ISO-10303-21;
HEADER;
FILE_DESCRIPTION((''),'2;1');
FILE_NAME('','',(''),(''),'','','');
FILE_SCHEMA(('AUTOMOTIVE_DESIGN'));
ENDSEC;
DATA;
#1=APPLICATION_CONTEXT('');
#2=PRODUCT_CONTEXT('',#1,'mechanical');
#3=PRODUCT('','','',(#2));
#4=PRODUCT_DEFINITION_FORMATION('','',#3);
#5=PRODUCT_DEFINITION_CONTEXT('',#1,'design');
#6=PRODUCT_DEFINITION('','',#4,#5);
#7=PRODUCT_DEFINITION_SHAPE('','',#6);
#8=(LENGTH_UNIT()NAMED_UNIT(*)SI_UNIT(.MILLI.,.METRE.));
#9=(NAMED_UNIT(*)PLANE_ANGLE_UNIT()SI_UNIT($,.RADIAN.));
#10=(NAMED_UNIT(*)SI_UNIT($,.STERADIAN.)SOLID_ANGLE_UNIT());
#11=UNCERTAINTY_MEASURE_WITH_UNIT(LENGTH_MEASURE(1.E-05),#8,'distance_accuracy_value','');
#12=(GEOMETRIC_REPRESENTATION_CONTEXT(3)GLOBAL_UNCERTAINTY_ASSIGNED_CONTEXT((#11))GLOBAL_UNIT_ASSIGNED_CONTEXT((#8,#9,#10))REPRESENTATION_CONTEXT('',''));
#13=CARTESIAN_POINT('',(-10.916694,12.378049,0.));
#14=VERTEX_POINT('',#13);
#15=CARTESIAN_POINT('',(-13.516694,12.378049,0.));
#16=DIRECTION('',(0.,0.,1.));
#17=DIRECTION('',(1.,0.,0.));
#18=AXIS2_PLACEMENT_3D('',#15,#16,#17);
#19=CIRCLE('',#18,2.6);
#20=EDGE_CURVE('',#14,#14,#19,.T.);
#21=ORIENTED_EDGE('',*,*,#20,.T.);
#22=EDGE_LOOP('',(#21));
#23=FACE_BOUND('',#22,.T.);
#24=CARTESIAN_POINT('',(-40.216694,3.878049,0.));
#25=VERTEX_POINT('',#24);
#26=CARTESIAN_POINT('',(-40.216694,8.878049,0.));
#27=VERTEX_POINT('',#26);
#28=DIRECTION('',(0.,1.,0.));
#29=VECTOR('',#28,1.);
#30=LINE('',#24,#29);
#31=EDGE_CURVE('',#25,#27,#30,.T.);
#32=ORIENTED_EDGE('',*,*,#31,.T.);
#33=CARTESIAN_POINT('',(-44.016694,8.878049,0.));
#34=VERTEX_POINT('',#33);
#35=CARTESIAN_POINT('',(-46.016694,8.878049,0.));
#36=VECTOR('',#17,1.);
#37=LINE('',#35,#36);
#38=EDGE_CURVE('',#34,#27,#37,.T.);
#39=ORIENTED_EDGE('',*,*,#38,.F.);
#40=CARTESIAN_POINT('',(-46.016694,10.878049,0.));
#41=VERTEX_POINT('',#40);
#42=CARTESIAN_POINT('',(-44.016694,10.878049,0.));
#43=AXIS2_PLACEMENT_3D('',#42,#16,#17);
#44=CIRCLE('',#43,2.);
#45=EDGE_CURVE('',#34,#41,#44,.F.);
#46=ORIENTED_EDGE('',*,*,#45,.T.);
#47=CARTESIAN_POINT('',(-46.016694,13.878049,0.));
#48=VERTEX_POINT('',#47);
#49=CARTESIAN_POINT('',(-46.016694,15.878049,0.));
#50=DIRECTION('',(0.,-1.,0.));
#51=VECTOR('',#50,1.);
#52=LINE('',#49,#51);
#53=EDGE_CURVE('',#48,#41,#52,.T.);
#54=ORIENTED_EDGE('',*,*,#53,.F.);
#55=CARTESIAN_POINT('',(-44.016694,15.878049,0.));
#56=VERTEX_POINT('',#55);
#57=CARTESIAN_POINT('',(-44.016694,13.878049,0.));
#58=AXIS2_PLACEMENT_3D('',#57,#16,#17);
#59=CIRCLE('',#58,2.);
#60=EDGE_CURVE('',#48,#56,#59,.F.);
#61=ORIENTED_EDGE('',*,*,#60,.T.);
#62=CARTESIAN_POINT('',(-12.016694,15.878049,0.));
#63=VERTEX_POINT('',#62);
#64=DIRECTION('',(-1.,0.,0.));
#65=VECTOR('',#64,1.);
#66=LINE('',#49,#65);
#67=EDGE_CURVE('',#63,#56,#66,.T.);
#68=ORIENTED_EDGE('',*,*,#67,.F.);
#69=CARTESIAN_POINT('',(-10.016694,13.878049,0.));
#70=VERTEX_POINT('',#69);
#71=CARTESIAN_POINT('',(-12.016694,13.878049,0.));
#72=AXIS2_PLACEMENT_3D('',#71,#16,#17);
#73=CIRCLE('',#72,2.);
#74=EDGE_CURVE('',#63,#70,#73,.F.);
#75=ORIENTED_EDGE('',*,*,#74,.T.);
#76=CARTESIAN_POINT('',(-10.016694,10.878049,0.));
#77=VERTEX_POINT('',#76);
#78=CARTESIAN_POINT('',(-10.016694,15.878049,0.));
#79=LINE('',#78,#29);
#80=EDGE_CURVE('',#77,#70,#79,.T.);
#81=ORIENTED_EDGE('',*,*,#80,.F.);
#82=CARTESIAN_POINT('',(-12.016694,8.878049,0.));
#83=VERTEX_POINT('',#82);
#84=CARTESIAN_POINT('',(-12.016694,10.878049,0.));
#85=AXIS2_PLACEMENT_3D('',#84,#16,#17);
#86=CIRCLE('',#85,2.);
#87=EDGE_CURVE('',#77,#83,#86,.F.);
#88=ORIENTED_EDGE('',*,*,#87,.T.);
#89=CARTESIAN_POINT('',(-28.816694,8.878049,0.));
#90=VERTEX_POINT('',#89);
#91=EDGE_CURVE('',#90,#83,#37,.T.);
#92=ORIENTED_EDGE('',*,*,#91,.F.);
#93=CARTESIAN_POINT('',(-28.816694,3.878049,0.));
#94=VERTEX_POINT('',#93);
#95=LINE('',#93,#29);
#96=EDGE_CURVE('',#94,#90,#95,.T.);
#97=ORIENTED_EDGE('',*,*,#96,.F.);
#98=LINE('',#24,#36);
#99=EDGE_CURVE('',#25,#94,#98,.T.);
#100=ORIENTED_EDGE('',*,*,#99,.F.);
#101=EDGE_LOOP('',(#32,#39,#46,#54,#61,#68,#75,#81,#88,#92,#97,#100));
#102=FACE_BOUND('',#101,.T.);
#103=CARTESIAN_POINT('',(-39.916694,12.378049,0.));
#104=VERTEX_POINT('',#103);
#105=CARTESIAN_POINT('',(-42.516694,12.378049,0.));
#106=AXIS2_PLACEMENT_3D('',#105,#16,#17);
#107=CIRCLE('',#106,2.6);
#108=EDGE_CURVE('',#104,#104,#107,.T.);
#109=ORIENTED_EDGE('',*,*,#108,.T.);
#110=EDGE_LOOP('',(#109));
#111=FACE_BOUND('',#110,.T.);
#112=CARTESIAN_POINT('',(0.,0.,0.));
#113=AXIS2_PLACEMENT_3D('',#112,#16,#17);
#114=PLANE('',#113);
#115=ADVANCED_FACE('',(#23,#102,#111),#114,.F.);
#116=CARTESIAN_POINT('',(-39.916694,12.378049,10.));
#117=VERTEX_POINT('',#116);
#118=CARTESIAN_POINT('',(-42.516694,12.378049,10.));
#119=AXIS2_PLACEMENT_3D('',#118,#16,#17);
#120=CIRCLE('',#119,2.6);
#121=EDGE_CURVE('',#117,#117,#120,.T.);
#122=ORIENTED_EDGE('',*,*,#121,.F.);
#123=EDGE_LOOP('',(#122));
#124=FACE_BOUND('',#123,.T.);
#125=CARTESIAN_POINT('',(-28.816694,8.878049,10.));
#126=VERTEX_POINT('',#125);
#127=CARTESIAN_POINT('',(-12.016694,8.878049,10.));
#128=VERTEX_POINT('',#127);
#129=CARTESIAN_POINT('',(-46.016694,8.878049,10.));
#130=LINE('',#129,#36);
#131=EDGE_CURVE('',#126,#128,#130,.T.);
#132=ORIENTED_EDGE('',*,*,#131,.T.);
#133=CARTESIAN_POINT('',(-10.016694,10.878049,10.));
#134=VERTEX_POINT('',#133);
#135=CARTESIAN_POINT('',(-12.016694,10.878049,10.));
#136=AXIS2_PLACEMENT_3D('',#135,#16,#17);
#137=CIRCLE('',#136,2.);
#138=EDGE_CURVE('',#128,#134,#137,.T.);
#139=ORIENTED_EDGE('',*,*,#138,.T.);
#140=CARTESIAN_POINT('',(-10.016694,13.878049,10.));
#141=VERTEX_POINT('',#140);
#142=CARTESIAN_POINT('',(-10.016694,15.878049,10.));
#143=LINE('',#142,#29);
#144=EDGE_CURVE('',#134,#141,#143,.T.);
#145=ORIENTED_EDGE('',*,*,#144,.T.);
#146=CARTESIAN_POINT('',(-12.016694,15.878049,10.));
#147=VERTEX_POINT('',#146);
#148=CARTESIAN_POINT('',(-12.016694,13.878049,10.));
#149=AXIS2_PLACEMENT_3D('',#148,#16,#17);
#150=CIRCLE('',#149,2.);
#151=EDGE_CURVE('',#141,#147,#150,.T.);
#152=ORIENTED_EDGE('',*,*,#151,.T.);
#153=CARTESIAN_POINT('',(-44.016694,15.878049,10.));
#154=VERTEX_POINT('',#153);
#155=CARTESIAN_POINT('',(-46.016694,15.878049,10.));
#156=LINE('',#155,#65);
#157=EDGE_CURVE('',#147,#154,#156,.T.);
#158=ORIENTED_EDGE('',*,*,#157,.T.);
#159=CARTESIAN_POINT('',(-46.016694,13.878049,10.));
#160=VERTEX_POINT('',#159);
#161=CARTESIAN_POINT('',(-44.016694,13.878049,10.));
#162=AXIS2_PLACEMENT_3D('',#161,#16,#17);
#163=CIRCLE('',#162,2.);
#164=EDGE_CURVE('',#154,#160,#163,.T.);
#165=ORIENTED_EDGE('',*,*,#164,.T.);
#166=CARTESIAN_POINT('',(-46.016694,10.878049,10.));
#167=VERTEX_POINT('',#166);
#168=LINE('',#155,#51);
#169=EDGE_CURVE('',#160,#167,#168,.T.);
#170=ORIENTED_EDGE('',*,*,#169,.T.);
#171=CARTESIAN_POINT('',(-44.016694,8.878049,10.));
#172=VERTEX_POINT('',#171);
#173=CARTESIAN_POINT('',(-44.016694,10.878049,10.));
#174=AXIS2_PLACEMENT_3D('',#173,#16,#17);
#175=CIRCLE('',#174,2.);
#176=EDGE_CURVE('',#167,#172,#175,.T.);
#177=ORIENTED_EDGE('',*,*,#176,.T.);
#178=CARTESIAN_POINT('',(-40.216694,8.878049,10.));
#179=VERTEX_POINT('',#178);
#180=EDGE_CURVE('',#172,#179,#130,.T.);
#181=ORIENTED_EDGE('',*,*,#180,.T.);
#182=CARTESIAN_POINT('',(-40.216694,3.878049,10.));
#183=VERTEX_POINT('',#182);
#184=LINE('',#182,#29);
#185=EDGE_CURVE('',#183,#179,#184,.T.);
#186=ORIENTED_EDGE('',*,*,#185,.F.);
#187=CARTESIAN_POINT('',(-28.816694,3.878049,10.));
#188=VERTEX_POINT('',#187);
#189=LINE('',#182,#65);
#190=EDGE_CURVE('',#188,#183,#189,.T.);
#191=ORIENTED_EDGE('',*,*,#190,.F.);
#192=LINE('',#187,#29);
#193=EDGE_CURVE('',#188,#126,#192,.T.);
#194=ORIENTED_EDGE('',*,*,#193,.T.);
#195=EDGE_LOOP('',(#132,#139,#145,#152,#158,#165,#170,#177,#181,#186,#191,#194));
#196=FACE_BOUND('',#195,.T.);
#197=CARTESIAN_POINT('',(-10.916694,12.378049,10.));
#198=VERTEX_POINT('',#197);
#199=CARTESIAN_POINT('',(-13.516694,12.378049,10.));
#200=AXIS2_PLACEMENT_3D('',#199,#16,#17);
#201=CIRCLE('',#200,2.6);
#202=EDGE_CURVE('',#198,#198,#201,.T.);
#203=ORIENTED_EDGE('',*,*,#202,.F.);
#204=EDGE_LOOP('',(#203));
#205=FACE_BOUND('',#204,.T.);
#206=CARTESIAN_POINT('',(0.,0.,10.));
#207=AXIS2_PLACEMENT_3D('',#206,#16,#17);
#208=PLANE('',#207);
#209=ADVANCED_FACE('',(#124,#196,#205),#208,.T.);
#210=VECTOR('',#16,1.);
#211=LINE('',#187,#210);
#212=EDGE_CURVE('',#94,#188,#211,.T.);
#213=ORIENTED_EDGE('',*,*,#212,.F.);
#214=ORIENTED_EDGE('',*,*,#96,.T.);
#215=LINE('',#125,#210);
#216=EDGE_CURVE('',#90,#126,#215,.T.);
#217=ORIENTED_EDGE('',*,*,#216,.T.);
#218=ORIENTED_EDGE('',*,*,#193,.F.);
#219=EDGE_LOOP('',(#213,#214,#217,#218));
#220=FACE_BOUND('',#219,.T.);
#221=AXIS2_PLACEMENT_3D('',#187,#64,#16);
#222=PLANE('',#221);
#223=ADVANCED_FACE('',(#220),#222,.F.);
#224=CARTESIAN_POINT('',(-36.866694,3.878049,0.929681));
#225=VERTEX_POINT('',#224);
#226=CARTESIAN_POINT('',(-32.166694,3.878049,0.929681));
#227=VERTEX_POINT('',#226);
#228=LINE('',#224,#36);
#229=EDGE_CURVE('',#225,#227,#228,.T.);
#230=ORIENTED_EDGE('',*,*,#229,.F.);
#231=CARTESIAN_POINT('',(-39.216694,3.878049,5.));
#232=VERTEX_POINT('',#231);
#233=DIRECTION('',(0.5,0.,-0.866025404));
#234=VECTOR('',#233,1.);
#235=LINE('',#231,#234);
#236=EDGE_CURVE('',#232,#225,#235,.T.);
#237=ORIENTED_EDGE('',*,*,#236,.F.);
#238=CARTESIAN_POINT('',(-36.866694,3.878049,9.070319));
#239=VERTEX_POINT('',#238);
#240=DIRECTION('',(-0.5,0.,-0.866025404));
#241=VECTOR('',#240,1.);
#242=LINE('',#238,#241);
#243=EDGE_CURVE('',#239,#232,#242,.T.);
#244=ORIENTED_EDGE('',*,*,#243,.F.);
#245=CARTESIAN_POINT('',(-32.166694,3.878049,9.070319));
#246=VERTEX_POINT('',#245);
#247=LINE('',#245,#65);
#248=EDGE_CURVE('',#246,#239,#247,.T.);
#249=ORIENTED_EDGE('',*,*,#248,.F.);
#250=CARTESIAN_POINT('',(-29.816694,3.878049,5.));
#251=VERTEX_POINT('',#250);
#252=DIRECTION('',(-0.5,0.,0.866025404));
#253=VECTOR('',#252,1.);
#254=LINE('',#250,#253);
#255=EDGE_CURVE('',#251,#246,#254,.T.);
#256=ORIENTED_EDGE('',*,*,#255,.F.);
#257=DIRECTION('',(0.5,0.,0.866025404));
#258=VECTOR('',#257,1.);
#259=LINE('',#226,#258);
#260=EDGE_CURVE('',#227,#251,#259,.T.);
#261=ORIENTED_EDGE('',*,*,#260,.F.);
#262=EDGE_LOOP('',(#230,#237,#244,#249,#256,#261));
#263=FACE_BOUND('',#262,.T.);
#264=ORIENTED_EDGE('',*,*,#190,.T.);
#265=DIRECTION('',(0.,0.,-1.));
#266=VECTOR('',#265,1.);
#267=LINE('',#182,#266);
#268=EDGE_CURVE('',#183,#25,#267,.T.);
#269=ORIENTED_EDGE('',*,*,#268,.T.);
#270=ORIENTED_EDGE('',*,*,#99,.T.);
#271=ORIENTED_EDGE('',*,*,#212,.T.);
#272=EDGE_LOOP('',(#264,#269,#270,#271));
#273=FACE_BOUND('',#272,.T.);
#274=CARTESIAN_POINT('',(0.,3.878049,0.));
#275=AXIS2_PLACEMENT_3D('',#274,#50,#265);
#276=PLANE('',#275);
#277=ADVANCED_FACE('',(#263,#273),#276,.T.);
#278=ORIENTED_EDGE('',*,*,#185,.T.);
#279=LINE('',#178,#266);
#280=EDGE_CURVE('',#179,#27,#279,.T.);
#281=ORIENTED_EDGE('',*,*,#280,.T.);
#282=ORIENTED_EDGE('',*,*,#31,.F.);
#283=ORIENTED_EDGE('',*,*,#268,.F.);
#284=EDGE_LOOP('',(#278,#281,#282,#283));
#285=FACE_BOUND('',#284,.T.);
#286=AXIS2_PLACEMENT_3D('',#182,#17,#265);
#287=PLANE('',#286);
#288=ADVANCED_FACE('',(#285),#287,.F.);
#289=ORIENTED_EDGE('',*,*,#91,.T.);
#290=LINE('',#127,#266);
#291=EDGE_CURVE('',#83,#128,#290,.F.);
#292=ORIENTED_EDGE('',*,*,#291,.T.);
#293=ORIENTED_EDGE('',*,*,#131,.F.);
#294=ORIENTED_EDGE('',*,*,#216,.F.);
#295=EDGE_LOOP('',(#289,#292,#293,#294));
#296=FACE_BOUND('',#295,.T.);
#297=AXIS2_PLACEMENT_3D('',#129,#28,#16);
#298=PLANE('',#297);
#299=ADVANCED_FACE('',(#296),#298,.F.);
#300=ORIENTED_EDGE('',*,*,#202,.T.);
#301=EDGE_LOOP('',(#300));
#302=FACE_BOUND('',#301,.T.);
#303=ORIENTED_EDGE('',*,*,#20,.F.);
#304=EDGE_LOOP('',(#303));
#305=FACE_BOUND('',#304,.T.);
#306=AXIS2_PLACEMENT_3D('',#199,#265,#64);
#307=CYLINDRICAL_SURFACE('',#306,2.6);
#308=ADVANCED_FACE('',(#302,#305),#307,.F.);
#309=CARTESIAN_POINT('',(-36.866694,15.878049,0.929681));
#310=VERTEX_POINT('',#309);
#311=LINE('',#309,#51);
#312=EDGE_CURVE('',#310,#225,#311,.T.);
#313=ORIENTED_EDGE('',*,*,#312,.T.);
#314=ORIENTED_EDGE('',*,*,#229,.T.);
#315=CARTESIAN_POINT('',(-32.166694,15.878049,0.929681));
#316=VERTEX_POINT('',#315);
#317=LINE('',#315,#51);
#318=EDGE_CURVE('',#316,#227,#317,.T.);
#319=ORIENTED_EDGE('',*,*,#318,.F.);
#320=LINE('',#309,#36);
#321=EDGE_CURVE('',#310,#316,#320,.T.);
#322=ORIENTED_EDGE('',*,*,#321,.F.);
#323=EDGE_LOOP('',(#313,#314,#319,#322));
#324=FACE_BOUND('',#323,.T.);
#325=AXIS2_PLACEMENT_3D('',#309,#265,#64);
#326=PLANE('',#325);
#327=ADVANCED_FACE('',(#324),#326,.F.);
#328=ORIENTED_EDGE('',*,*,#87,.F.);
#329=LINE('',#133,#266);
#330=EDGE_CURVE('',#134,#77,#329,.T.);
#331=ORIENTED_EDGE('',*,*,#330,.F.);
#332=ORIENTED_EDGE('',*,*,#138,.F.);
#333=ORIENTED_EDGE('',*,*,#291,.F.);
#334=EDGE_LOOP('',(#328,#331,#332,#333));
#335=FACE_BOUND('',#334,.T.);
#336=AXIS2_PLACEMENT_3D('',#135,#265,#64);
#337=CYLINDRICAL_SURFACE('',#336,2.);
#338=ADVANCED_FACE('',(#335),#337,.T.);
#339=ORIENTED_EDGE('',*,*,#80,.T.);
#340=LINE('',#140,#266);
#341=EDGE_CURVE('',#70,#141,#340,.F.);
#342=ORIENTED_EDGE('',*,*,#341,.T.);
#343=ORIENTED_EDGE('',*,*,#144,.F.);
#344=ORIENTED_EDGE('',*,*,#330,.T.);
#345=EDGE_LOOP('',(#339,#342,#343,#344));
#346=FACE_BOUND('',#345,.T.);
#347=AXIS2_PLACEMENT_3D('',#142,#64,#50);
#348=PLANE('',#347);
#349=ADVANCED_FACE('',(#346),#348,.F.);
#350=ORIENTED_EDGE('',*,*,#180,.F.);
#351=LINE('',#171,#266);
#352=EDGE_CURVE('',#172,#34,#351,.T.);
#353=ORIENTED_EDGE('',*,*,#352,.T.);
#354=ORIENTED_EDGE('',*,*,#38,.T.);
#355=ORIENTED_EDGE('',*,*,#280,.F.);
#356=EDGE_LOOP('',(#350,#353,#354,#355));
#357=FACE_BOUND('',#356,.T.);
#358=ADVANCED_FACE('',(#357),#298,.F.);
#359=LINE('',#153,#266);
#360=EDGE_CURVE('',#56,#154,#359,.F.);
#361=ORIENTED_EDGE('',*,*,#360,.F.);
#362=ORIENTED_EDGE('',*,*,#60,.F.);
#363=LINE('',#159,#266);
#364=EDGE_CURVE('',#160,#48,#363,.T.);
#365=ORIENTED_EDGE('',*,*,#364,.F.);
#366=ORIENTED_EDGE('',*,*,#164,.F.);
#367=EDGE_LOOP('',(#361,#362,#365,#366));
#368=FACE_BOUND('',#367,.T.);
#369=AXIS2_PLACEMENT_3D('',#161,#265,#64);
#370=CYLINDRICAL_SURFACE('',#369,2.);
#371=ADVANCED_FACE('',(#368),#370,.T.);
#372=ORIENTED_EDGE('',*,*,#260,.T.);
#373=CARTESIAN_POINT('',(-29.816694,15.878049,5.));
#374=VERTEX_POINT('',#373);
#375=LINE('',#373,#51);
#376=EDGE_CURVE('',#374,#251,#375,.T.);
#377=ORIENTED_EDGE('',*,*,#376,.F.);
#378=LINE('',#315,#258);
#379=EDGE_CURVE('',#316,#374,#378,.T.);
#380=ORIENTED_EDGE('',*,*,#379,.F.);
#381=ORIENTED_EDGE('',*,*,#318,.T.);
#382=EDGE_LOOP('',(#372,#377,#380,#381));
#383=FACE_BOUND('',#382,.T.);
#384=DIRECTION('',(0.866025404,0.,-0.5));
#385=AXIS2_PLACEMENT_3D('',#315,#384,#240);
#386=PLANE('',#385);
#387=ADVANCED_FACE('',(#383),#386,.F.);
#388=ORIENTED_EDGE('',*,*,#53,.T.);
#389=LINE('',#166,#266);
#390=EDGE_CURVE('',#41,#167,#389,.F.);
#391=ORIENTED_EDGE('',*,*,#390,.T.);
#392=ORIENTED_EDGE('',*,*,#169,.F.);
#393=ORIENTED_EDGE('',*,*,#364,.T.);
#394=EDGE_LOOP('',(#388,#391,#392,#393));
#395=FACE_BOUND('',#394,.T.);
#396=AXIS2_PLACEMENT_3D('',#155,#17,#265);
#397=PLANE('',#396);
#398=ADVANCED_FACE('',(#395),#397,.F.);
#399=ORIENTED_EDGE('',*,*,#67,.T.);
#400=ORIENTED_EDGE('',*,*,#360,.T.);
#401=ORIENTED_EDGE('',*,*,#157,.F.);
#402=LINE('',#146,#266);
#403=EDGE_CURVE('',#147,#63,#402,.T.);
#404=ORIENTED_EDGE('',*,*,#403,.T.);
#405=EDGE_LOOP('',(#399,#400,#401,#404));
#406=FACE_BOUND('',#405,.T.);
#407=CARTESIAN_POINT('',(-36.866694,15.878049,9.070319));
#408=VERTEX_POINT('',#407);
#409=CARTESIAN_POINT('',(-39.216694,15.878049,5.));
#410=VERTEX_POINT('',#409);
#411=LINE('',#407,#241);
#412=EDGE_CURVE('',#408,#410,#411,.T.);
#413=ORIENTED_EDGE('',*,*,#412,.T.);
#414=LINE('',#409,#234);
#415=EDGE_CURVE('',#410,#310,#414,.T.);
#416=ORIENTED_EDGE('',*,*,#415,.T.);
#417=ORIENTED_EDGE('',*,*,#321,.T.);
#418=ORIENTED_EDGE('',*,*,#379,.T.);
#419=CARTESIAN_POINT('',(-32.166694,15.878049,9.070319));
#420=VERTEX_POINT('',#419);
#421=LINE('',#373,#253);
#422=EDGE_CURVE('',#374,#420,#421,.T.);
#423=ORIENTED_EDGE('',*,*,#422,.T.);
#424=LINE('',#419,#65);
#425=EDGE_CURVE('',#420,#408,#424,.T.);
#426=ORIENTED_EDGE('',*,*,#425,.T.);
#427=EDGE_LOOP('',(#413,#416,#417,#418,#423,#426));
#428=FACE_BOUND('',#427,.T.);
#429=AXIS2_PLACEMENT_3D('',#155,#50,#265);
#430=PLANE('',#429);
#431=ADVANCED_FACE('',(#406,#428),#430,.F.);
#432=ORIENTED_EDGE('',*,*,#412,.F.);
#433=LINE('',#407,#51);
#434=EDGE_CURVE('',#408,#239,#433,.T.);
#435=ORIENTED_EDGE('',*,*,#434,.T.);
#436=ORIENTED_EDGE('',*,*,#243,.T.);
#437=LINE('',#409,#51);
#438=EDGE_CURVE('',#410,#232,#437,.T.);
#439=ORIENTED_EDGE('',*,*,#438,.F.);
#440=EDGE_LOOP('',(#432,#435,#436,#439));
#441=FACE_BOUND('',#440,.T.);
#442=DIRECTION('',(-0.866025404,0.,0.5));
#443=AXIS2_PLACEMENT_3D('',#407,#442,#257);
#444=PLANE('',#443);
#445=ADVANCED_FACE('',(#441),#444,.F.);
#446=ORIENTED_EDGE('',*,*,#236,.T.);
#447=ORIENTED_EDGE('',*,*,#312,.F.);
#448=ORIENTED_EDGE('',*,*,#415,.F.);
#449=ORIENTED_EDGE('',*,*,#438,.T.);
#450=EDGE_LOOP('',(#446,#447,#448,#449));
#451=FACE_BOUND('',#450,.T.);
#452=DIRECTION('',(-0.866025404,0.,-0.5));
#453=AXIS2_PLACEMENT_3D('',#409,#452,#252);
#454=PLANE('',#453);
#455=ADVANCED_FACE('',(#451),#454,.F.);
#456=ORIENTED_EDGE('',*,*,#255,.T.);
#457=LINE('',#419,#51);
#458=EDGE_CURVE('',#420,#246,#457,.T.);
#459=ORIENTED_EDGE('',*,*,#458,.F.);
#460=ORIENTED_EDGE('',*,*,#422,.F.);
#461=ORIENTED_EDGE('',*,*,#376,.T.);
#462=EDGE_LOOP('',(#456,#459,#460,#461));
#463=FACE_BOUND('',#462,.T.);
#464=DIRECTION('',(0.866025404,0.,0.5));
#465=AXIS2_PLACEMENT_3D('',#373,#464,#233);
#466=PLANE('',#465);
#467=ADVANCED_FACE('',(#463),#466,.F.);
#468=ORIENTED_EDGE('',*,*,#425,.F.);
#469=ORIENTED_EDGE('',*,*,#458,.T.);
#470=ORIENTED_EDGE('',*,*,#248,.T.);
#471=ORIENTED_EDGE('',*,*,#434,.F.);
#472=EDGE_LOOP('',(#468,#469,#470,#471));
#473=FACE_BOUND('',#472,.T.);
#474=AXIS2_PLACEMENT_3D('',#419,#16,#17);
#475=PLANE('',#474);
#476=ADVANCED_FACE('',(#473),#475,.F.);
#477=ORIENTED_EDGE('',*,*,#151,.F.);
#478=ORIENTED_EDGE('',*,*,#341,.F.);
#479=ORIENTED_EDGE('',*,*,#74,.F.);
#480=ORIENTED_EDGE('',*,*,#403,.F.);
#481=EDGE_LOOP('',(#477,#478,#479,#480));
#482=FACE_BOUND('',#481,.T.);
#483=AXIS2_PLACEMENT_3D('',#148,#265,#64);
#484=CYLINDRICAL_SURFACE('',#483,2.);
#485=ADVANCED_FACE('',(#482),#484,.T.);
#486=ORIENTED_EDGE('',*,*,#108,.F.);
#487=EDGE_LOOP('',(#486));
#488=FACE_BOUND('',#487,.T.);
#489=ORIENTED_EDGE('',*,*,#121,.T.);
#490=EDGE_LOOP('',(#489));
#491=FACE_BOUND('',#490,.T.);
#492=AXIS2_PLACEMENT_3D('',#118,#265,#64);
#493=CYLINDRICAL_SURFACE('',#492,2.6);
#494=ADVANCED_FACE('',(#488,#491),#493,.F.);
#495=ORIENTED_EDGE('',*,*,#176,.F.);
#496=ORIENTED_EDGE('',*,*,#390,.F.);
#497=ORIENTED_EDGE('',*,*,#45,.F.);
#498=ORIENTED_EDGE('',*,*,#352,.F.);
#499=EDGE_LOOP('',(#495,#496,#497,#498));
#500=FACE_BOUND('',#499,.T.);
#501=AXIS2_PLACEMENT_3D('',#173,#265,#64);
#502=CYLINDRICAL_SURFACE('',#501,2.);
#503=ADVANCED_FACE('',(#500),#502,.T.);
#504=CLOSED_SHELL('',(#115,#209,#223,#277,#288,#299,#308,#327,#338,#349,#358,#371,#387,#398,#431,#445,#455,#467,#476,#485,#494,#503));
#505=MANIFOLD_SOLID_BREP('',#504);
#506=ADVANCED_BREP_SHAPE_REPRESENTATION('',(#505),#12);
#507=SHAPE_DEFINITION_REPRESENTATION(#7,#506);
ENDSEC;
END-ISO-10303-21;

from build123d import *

# Parameters (mm, degrees)
CROQUIS1_W              = 36
CROQUIS1_H              = 7
CROQUIS1_R              = 2.6
SALIENTE_EXTRUIR1_DEPTH = 10
CORTAR_EXTRUIR1_DEPTH   = 7
CROQUIS4_W              = 11.4
CROQUIS4_H              = 10
SALIENTE_EXTRUIR2_DEPTH = 5
REDONDEO1_R             = 2


with BuildPart() as part:
    # Croquis1 → Saliente-Extruir1 (new body)
    with BuildSketch(Plane.XY):
        with Locations((-28.016694491, 12.37804878)):
            Rectangle(CROQUIS1_W, CROQUIS1_H)
        with Locations((-42.516694491, 12.37804878)):
            Circle(CROQUIS1_R, mode=Mode.SUBTRACT)
        with Locations((-13.516694491, 12.37804878)):
            Circle(CROQUIS1_R, mode=Mode.SUBTRACT)
    extrude(amount=SALIENTE_EXTRUIR1_DEPTH)

    # Croquis2 → Cortar-Extruir1 (cut)
    with BuildSketch(Plane.XZ.offset(-8.87804878)):
        Polygon((-29.816694491, 5), (-32.166694491, 9.070319398), (-36.866694491, 9.070319398), (-39.216694491, 5), (-36.866694491, 0.929680602), (-32.166694491, 0.929680602), align=None)
    extrude(amount=-CORTAR_EXTRUIR1_DEPTH, mode=Mode.SUBTRACT)

    # Croquis4 → Saliente-Extruir2 (add)
    with BuildSketch(Plane.XZ.offset(-8.87804878)):
        with Locations((-34.516694491, 5)):
            Rectangle(CROQUIS4_W, CROQUIS4_H)
        Polygon((-29.816694491, 5), (-32.166694491, 9.070319398), (-36.866694491, 9.070319398), (-39.216694491, 5), (-36.866694491, 0.929680602), (-32.166694491, 0.929680602), align=None, mode=Mode.SUBTRACT)
    extrude(amount=SALIENTE_EXTRUIR2_DEPTH)

    # Redondeo1
    redondeo1_edges = [part.edges().sort_by_distance(p)[0] for p in [
        (-10.016694491, 15.87804878, 5),
        (-10.016694491, 8.87804878, 5),
        (-46.016694491, 8.87804878, 5),
        (-46.016694491, 15.87804878, 5),
    ]]
    fillet(redondeo1_edges, radius=REDONDEO1_R)


solid = part.part
